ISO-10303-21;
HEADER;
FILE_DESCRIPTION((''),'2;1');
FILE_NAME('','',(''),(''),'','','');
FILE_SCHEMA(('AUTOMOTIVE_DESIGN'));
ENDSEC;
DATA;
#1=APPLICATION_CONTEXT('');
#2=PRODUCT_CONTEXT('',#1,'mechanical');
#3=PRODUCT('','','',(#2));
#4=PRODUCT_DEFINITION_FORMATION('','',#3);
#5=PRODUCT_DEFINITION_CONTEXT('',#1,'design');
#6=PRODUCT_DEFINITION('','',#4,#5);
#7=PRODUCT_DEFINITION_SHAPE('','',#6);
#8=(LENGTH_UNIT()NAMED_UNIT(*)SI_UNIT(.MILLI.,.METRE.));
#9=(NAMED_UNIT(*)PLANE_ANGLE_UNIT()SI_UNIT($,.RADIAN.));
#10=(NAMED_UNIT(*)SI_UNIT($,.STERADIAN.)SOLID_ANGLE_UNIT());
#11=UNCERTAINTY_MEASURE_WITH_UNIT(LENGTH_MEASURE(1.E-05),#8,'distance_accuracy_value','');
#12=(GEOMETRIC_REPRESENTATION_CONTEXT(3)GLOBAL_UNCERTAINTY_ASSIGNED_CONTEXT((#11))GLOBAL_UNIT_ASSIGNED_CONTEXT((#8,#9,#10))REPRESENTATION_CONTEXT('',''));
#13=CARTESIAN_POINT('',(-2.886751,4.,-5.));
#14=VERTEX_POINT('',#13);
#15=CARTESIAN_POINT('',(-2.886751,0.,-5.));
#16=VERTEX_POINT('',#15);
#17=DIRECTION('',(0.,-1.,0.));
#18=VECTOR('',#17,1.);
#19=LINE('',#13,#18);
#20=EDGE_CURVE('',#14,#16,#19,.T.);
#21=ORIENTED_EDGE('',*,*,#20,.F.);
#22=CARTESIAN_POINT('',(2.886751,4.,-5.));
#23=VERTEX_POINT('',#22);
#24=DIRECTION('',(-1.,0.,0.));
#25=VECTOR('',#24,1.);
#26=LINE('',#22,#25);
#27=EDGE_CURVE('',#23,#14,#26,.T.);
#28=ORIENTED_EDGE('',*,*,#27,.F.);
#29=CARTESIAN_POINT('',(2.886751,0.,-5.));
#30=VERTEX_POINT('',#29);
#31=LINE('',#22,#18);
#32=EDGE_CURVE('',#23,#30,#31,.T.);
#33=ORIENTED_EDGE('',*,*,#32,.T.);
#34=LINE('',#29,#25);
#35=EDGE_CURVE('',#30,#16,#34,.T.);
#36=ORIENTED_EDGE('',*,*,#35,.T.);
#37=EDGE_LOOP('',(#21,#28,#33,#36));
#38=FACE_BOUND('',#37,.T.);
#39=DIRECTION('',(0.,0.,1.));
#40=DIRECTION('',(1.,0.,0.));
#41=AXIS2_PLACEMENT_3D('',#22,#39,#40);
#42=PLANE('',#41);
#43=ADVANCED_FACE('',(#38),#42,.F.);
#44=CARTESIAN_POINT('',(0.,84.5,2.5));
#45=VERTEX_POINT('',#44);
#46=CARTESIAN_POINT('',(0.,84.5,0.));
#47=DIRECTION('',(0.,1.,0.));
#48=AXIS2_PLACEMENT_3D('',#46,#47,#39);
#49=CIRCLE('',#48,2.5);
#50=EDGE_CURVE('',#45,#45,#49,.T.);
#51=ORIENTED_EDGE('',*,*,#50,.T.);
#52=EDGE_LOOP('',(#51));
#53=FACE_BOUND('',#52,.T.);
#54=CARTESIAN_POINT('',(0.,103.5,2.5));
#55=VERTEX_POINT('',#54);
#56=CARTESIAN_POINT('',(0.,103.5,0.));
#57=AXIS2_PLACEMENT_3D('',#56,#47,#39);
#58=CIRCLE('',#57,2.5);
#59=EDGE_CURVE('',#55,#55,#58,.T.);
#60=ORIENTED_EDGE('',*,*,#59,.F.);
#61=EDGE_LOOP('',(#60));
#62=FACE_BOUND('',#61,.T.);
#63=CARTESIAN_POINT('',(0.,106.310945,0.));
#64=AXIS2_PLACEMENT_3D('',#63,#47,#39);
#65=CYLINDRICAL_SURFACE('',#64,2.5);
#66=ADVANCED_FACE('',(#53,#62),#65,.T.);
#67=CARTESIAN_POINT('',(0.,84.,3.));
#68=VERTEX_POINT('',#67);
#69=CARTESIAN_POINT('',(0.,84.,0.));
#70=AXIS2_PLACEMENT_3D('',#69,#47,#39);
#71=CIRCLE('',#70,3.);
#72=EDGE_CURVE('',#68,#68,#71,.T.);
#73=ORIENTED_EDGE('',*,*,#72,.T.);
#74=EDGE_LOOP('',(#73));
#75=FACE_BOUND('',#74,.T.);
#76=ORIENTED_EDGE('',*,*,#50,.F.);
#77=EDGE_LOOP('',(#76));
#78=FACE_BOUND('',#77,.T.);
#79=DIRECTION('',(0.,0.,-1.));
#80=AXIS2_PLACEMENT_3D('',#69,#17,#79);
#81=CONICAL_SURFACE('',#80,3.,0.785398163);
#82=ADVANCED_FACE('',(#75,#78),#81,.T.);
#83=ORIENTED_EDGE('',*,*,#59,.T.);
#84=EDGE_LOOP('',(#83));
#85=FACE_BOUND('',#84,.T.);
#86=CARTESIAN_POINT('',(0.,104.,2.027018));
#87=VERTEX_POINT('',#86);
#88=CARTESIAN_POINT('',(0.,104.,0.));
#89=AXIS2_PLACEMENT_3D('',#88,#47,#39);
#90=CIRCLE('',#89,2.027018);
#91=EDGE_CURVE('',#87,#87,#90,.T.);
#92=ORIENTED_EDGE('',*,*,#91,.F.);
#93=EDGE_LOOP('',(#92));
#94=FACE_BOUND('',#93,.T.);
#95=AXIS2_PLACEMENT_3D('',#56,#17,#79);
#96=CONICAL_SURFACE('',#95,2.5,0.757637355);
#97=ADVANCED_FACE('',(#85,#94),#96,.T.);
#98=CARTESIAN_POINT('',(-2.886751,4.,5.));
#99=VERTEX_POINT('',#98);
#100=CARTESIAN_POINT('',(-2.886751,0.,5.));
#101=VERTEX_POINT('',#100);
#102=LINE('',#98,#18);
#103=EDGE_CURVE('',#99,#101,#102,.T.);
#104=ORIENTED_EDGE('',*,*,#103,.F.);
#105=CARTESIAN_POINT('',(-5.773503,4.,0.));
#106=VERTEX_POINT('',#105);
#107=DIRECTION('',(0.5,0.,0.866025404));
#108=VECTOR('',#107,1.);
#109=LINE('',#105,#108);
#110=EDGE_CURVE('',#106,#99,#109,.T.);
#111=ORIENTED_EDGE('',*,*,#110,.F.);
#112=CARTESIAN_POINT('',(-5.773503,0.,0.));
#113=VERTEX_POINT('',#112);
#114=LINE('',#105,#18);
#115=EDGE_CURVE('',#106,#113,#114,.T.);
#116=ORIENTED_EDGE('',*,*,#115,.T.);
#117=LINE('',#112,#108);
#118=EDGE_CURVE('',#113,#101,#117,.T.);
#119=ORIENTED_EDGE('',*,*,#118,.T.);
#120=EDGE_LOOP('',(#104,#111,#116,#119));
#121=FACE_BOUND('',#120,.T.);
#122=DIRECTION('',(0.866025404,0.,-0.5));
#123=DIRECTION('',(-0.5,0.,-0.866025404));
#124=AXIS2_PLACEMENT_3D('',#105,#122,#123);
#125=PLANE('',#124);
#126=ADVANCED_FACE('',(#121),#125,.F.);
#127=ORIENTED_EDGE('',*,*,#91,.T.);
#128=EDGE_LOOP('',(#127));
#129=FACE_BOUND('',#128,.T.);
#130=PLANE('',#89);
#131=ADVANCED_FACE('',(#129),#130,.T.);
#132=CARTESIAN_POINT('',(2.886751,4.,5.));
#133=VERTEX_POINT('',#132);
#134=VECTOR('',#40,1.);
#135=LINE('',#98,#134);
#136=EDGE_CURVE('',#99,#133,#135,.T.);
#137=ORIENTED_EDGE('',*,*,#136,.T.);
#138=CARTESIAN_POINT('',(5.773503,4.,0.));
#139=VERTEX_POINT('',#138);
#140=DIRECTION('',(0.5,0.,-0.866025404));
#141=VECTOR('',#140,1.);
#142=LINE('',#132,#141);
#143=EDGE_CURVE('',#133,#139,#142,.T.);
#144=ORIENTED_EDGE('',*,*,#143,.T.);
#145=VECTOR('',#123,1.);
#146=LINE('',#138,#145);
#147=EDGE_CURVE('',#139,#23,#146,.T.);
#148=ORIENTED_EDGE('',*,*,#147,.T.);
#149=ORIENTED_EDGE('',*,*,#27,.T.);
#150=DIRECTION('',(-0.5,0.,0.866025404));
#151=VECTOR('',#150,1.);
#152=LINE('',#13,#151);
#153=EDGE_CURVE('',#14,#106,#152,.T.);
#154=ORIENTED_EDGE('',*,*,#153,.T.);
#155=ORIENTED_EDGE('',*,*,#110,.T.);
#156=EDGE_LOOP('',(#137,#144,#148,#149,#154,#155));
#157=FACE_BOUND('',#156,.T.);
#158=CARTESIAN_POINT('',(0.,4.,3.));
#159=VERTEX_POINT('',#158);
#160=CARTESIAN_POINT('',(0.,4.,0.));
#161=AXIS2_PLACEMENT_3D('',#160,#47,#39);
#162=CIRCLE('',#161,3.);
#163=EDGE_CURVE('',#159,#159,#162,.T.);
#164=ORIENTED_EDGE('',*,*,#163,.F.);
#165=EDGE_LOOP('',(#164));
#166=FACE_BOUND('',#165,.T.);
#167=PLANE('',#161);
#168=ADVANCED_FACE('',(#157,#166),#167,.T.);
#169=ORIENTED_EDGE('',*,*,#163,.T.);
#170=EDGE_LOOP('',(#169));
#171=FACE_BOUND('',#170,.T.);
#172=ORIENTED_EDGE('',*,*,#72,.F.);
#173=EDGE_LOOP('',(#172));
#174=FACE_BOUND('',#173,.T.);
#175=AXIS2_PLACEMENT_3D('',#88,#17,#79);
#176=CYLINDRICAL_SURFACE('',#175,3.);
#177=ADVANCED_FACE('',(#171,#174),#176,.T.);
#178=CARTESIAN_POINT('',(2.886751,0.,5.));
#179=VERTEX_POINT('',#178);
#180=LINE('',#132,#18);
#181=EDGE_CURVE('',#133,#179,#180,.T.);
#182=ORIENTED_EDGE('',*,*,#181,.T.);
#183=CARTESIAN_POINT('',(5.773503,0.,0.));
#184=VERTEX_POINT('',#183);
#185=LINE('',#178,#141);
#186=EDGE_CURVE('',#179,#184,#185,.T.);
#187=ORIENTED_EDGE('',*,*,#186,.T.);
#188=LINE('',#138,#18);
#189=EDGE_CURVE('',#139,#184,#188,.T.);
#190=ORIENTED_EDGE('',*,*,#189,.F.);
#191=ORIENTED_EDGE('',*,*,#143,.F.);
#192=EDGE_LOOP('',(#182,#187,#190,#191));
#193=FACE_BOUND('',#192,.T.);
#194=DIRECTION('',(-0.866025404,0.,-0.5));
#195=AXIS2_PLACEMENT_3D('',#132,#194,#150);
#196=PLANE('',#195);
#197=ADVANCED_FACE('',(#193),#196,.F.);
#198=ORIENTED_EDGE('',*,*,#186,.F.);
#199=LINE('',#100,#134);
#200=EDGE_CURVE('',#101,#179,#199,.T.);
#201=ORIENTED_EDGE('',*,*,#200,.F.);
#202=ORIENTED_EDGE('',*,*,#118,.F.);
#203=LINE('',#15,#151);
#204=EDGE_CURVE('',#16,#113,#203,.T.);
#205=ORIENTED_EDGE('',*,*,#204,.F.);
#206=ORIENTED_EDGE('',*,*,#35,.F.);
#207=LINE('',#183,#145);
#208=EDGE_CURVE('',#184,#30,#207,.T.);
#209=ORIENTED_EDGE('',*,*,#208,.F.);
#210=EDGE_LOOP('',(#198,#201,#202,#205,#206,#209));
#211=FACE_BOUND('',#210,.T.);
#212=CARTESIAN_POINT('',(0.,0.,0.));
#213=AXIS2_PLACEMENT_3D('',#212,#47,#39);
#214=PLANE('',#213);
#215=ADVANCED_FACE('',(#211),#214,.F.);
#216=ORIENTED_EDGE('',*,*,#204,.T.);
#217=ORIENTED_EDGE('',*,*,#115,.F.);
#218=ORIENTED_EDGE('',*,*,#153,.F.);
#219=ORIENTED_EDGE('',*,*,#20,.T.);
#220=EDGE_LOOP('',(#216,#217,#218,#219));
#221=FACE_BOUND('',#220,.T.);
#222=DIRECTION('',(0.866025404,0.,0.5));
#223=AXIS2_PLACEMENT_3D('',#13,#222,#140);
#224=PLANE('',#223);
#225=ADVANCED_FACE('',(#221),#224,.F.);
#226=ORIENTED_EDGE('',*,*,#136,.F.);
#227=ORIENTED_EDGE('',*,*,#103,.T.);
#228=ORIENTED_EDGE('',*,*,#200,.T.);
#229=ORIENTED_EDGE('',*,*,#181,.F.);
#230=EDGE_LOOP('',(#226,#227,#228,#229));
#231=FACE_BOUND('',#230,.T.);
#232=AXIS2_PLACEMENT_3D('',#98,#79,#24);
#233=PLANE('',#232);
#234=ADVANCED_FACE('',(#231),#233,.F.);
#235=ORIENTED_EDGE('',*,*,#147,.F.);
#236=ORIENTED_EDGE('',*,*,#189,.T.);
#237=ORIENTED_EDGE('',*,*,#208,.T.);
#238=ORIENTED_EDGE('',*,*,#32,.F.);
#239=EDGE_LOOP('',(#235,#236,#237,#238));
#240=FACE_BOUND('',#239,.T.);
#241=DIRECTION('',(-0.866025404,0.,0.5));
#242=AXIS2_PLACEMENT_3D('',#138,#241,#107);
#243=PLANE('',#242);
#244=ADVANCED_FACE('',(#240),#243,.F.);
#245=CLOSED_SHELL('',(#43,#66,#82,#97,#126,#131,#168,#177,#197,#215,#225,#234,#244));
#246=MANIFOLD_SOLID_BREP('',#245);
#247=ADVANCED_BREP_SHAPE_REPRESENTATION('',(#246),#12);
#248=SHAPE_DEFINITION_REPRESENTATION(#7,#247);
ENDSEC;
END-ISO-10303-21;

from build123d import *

# Parameters (mm, degrees)
Y_KSEKLIK_EKSTR_ZYON1_DEPTH = 4
IZIM3_R                     = 3
Y_KSEKLIK_EKSTR_ZYON2_DEPTH = 100


with BuildPart() as part:
    # Çizim2 → Yükseklik-Ekstrüzyon1 (new body)
    with BuildSketch(Plane(origin=(0, 0, 0), x_dir=(1, 0, 0), z_dir=(0, 1, 0))):
        Polygon((5.773502692, 0), (2.886751346, 5), (-2.886751346, 5), (-5.773502692, 0), (-2.886751346, -5), (2.886751346, -5), align=None)
    extrude(amount=Y_KSEKLIK_EKSTR_ZYON1_DEPTH)

    # Çizim3 → Yükseklik-Ekstrüzyon2 (add)
    with BuildSketch(Plane(origin=(0, 4, 0), x_dir=(1, 0, 0), z_dir=(0, 1, 0))):
        with Locations(Location((0, 0, 0), (0, 0, 270))):
            Circle(IZIM3_R)
    extrude(amount=Y_KSEKLIK_EKSTR_ZYON2_DEPTH)

    # Çizim4 → Kes-Döndür1 (revolve, cut)
    with BuildSketch(Plane.XY, mode=Mode.PRIVATE) as kes_d_nd_r1_sk:
        Polygon((-2.5, 103.5), (-2.5, 84.5), (-3, 84), (-5.565030224, 84), (-5.565030224, 104), (-2.5, 104), (-2.027017716, 104), align=None)
    revolve(kes_d_nd_r1_sk.sketch.rotate(Axis((0, 106.310945379, 0), (0, -1, 0)), 270), axis=Axis((0, 106.310945379, 0), (0, -1, 0)), mode=Mode.SUBTRACT)


solid = part.part
